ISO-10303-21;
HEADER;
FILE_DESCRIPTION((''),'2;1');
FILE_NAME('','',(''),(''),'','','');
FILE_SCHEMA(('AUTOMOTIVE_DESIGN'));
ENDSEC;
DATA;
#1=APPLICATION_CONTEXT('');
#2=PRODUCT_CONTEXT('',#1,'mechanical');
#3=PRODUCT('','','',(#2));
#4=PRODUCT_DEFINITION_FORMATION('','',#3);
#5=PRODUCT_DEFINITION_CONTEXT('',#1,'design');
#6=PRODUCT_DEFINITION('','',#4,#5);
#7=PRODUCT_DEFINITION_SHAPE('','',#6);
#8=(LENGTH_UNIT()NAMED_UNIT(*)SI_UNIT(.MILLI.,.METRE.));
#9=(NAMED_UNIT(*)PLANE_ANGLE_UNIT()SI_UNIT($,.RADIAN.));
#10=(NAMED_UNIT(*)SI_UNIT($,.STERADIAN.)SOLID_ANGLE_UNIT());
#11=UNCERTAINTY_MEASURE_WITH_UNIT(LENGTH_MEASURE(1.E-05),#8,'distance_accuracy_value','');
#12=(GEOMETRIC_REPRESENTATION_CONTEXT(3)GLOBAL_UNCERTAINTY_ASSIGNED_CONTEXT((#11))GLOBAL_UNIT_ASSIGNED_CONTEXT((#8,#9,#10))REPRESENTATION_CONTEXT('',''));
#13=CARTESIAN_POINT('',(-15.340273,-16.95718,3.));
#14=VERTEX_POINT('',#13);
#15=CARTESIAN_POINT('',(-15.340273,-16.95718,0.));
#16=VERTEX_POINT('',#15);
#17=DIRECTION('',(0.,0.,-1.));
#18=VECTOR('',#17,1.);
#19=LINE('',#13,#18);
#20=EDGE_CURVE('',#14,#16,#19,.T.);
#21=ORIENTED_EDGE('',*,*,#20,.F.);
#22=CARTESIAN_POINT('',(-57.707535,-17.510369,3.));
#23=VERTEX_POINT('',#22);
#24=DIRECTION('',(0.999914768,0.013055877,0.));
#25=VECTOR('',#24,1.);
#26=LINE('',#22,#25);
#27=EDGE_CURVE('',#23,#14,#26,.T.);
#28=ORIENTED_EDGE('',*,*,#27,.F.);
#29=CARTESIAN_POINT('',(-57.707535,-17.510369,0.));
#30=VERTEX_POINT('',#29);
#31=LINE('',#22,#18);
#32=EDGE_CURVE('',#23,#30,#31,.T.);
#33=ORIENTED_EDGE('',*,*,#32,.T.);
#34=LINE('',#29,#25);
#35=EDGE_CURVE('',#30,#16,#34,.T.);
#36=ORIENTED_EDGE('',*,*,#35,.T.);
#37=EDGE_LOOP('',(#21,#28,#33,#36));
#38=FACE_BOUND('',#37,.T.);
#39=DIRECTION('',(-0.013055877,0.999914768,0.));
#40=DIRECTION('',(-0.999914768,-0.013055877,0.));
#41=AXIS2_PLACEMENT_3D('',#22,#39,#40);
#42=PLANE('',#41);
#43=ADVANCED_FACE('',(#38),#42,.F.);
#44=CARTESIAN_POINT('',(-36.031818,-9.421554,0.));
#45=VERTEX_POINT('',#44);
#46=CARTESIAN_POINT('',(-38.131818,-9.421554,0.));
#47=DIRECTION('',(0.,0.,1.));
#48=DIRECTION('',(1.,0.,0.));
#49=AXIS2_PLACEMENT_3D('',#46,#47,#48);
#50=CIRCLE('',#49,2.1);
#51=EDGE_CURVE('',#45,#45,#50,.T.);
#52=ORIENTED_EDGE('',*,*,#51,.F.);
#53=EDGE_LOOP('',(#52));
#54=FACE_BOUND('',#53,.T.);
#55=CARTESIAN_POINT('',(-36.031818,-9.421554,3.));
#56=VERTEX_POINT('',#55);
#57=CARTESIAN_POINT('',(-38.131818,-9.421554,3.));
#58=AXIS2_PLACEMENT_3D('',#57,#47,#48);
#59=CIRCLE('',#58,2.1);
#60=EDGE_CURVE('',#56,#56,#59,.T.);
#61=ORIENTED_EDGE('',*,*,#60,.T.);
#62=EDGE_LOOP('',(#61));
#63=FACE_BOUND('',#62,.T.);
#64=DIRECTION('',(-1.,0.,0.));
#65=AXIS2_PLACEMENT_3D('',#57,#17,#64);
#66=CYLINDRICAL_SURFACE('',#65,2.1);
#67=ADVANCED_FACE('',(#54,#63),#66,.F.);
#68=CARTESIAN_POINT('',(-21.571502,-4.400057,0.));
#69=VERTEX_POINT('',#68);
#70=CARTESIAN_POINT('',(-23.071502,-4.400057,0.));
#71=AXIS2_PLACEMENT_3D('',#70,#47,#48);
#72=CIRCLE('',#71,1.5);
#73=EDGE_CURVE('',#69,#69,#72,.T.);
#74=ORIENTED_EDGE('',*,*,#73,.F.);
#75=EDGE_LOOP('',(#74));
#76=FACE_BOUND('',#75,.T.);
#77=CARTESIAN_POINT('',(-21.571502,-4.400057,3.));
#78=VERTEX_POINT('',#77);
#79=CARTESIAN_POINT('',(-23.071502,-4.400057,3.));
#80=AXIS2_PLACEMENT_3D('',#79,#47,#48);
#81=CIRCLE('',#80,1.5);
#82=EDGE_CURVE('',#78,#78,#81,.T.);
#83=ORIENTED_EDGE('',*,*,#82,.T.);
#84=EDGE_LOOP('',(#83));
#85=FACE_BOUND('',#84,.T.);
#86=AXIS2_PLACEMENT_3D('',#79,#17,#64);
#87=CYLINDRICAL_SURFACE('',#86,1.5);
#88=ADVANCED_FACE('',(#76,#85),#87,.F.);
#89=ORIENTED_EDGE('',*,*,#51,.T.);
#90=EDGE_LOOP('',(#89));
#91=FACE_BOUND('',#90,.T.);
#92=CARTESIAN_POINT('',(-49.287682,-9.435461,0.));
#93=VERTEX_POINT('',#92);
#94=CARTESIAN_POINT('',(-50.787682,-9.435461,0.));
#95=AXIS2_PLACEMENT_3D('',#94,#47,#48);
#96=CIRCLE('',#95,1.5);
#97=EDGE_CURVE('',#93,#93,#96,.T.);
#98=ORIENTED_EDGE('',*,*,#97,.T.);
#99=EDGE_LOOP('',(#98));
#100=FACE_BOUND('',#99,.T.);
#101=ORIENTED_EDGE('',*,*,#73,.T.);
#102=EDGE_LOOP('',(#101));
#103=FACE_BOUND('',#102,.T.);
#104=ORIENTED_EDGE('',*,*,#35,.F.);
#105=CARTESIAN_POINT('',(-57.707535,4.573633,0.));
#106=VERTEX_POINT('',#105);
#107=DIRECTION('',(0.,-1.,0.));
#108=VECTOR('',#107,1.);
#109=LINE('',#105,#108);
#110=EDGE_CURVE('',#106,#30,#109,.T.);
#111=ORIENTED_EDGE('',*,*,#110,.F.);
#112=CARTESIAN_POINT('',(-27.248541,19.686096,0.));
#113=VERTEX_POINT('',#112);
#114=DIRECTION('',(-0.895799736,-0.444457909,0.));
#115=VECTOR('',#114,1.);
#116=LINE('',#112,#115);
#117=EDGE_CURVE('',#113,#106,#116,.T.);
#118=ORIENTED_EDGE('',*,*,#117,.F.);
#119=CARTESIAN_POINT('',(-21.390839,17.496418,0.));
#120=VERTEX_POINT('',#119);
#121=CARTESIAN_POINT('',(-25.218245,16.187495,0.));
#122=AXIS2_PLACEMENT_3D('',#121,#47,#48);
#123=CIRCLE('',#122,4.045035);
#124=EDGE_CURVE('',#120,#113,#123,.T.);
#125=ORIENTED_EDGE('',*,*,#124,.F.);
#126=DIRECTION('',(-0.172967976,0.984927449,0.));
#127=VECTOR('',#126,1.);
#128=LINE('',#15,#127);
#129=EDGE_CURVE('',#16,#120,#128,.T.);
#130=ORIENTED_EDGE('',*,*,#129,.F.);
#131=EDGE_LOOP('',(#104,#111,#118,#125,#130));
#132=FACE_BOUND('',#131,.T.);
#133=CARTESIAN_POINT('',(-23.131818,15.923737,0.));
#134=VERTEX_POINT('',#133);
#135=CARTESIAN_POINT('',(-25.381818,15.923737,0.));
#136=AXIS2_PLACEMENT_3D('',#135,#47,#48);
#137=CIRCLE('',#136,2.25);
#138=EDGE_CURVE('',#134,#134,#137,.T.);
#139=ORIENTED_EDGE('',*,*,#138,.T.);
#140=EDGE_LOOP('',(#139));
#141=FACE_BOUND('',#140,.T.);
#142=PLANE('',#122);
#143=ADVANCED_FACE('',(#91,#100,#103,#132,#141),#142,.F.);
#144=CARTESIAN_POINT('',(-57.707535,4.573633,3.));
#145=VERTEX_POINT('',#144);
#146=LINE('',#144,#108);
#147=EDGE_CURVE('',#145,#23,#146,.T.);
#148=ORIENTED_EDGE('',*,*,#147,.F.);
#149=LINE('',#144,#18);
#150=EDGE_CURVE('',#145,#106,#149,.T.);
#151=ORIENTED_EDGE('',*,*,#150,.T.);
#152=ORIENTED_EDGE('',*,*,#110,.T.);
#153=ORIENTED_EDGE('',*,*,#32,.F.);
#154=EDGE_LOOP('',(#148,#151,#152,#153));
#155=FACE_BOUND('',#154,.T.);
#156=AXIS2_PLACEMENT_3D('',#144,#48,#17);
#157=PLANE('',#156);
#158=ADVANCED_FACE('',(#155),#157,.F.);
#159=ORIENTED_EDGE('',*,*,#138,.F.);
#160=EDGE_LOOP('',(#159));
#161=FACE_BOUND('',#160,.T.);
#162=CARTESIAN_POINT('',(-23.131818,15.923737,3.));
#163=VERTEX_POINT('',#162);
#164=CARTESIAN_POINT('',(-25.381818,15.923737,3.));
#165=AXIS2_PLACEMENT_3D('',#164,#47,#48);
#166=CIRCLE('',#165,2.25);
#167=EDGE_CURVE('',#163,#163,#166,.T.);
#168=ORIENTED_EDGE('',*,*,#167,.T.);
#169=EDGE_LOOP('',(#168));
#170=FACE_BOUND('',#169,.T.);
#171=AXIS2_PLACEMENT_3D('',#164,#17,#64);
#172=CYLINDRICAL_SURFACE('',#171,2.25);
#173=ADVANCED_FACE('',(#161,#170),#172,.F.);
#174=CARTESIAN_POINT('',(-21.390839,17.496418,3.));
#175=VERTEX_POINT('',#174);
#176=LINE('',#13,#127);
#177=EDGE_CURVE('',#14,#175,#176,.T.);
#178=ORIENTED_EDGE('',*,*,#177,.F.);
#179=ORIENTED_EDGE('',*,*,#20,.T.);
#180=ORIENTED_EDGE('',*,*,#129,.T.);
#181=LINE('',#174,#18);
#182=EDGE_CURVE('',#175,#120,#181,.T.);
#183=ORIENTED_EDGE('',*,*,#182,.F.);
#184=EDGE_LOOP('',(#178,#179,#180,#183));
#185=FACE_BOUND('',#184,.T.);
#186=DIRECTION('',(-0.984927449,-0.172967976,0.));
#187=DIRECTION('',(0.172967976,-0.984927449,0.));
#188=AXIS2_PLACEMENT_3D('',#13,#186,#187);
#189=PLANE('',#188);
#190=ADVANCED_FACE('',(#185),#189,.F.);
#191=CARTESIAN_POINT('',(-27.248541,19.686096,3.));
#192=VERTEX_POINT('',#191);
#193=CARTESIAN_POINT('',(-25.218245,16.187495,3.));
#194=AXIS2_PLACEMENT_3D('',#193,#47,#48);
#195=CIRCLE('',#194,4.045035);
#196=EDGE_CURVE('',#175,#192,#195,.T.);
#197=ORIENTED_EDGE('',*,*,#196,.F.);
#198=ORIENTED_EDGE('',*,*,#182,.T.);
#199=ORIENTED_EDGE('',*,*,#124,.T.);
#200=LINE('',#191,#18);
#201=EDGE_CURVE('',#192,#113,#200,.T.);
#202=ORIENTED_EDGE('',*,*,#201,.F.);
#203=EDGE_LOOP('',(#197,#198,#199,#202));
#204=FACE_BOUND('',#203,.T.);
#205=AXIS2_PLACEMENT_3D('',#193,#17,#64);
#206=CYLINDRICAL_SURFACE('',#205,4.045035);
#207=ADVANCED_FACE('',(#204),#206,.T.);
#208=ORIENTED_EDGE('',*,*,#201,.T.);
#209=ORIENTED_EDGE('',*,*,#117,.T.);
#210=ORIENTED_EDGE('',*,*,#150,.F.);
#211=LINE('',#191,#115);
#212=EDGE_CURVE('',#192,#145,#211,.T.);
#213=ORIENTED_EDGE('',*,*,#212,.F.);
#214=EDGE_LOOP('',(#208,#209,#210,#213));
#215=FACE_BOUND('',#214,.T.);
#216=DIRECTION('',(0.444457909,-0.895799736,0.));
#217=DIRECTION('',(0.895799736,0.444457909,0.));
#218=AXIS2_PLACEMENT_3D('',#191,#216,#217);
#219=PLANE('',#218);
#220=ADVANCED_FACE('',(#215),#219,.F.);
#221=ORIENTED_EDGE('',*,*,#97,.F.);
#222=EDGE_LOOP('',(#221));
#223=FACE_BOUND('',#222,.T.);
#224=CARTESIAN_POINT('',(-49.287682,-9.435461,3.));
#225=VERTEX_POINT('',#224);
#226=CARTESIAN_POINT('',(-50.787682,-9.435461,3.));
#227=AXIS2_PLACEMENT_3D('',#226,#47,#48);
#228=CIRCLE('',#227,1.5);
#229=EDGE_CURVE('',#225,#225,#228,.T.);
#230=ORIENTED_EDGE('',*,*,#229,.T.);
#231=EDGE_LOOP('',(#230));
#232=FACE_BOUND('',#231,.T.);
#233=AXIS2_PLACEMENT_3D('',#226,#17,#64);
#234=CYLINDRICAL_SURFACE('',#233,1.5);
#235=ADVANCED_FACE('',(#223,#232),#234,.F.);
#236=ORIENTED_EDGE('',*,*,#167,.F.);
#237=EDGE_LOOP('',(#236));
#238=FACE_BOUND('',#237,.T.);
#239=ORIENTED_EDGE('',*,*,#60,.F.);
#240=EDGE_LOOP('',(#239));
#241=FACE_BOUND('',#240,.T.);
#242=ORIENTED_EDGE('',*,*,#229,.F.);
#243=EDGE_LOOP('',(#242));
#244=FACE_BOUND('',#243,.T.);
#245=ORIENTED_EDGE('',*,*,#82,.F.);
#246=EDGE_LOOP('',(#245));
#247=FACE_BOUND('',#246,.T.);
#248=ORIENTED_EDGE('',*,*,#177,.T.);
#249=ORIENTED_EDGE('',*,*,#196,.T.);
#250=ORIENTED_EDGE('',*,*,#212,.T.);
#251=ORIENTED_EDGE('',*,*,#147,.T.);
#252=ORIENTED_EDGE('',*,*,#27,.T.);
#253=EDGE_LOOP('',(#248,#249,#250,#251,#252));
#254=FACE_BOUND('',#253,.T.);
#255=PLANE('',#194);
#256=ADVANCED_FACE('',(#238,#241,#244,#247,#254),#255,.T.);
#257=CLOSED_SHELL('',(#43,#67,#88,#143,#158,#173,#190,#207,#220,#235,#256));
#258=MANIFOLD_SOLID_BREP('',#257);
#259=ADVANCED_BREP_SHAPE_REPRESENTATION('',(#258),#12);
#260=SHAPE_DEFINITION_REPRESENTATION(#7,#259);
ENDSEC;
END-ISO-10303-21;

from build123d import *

# Parameters (mm, degrees)
SKETCH1_R           = 2.1
SKETCH1_R_2         = 2.25
SKETCH1_R_3         = 1.5
BOSS_EXTRUDE2_DEPTH = 3


with BuildPart() as part:
    # Sketch1 → Boss-Extrude2 (new body)
    with BuildSketch(Plane.XY):
        with BuildLine():
            Line((-27.248541099, 19.686096161), (-57.707535143, 4.573632695))
            Line((-57.707535143, 4.573632695), (-57.707535143, -17.510368624))
            Line((-57.707535143, -17.510368624), (-15.340272848, -16.957179715))
            Line((-15.340272848, -16.957179715), (-21.390839368, 17.496417988))
            ThreePointArc((-21.390839368, 17.496417988), (-23.801885744, 19.97645801), (-27.248541099, 19.686096161))
        make_face()
        with Locations((-38.131817883, -9.421553771)):
            Circle(SKETCH1_R, mode=Mode.SUBTRACT)
        with Locations((-25.381817883, 15.923737268)):
            Circle(SKETCH1_R_2, mode=Mode.SUBTRACT)
        with Locations((-23.071502026, -4.400056763)):
            Circle(SKETCH1_R_3, mode=Mode.SUBTRACT)
        with Locations((-50.787681668, -9.435461189)):
            Circle(SKETCH1_R_3, mode=Mode.SUBTRACT)
    extrude(amount=BOSS_EXTRUDE2_DEPTH)


solid = part.part
